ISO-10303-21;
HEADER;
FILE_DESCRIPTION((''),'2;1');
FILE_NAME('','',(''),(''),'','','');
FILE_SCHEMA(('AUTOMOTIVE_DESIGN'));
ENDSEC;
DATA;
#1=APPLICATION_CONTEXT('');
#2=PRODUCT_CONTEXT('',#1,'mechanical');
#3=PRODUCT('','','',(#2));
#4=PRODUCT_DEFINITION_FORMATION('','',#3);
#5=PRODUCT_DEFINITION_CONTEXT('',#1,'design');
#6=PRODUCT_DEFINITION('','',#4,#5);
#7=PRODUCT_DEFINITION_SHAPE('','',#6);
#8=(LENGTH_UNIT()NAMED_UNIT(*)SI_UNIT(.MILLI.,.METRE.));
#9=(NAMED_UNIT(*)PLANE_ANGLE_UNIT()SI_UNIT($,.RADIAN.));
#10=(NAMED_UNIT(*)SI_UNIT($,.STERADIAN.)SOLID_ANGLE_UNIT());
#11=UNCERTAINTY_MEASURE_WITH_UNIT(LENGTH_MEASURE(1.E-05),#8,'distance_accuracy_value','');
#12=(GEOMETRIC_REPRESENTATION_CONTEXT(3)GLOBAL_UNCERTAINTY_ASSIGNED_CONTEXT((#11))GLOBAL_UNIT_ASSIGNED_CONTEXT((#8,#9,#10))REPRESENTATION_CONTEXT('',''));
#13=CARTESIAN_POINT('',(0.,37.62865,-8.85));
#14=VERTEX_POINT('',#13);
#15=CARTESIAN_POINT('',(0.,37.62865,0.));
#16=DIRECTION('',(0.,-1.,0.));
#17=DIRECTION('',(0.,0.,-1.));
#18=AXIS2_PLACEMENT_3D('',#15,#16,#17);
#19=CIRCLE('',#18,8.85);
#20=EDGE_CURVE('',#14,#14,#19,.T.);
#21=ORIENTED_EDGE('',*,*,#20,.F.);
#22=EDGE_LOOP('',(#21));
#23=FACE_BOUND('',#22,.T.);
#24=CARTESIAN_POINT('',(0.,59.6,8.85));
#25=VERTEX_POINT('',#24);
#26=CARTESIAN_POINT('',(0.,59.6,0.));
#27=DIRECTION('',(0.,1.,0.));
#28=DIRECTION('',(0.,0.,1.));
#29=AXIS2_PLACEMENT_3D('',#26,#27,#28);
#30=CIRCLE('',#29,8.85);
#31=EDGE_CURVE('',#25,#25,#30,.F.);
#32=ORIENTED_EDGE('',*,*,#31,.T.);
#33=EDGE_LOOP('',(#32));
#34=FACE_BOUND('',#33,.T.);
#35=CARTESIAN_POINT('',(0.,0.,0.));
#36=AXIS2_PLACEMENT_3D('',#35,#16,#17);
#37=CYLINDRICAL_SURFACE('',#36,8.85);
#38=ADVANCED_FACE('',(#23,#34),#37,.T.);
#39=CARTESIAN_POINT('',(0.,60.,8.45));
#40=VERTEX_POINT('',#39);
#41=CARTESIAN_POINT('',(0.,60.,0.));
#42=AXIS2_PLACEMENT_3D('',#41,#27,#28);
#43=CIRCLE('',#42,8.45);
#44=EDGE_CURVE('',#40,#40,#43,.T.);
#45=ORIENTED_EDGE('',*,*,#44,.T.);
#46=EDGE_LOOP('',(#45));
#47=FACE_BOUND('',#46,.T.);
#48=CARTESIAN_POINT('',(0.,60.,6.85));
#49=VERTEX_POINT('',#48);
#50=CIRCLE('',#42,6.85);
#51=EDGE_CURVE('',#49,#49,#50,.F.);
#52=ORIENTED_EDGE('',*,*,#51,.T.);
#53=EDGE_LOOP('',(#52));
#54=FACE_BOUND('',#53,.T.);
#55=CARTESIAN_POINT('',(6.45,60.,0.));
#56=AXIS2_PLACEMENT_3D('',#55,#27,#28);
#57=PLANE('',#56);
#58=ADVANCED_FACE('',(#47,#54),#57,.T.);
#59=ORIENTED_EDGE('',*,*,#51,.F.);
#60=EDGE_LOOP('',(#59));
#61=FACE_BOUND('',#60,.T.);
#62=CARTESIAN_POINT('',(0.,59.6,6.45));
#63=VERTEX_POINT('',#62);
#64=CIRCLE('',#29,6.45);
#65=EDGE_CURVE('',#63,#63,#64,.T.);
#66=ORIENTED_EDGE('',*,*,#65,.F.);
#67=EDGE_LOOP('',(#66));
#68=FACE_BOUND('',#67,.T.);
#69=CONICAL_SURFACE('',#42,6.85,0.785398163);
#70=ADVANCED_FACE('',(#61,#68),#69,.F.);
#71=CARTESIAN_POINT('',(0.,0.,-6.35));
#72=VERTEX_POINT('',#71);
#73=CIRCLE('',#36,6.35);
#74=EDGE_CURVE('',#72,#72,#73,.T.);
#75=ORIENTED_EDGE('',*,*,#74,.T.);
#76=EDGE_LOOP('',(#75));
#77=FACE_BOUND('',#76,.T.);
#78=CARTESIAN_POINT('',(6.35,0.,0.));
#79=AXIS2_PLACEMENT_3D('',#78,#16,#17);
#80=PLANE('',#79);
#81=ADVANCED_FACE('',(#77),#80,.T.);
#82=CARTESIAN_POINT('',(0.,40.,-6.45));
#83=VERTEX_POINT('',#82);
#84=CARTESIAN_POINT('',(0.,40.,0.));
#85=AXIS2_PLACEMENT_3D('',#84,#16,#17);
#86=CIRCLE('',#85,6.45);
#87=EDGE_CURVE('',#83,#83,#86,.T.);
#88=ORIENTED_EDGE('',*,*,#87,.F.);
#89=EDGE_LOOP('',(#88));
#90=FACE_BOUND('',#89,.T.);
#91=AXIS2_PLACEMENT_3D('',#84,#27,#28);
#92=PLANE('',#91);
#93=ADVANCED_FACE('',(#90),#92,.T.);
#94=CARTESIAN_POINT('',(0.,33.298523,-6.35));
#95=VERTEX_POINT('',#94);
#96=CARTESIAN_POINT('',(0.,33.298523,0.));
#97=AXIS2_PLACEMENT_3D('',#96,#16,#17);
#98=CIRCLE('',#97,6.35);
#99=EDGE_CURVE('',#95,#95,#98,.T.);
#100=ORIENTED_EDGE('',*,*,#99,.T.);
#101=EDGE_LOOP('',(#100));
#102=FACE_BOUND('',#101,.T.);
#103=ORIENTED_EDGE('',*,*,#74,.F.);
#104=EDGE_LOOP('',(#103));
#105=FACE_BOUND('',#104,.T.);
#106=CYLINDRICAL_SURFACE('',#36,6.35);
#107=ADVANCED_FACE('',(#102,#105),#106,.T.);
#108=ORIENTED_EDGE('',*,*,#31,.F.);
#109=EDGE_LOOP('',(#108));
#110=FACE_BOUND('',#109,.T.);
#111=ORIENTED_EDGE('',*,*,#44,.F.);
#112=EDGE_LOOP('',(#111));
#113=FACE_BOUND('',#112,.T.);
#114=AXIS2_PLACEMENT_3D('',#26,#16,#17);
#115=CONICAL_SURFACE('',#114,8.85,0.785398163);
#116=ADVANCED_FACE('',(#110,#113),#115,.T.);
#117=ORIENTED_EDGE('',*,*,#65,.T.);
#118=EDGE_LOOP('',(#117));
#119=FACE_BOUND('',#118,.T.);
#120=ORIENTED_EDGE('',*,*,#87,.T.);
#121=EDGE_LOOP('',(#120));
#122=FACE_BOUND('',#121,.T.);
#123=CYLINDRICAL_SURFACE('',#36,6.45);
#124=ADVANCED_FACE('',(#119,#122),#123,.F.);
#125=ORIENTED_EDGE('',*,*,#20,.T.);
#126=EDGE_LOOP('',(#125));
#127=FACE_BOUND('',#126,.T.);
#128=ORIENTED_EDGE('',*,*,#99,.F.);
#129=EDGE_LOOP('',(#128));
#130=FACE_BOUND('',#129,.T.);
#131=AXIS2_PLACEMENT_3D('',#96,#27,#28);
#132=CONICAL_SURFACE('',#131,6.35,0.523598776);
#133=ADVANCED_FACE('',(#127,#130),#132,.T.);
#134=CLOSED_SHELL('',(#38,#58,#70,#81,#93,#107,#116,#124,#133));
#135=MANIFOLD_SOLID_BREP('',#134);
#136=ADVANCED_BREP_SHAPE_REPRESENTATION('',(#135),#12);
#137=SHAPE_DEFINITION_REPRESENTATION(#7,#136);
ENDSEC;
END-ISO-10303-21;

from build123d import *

# Parameters (mm, degrees)
CHAMFER1_SIZE = 0.4


with BuildPart() as part:
    # Sketch1 → Revolve1 (revolve)
    with BuildSketch(Plane.XY, mode=Mode.PRIVATE) as revolve1_sk:
        Polygon((0, 0), (0, 40), (6.45, 40), (6.45, 60), (8.85, 60), (8.85, 37.628649647), (6.35, 33.298522628), (6.35, 0), align=None)
    revolve(revolve1_sk.sketch.rotate(Axis((0, 0, 0), (0, 1, 0)), 90), axis=Axis((0, 0, 0), (0, 1, 0)))

    # Chamfer1
    chamfer1_edges = [part.edges().sort_by_distance(p)[0] for p in [
        (0, 60, 8.85),
        (0, 60, 6.45),
    ]]
    chamfer(chamfer1_edges, length=CHAMFER1_SIZE)


solid = part.part
